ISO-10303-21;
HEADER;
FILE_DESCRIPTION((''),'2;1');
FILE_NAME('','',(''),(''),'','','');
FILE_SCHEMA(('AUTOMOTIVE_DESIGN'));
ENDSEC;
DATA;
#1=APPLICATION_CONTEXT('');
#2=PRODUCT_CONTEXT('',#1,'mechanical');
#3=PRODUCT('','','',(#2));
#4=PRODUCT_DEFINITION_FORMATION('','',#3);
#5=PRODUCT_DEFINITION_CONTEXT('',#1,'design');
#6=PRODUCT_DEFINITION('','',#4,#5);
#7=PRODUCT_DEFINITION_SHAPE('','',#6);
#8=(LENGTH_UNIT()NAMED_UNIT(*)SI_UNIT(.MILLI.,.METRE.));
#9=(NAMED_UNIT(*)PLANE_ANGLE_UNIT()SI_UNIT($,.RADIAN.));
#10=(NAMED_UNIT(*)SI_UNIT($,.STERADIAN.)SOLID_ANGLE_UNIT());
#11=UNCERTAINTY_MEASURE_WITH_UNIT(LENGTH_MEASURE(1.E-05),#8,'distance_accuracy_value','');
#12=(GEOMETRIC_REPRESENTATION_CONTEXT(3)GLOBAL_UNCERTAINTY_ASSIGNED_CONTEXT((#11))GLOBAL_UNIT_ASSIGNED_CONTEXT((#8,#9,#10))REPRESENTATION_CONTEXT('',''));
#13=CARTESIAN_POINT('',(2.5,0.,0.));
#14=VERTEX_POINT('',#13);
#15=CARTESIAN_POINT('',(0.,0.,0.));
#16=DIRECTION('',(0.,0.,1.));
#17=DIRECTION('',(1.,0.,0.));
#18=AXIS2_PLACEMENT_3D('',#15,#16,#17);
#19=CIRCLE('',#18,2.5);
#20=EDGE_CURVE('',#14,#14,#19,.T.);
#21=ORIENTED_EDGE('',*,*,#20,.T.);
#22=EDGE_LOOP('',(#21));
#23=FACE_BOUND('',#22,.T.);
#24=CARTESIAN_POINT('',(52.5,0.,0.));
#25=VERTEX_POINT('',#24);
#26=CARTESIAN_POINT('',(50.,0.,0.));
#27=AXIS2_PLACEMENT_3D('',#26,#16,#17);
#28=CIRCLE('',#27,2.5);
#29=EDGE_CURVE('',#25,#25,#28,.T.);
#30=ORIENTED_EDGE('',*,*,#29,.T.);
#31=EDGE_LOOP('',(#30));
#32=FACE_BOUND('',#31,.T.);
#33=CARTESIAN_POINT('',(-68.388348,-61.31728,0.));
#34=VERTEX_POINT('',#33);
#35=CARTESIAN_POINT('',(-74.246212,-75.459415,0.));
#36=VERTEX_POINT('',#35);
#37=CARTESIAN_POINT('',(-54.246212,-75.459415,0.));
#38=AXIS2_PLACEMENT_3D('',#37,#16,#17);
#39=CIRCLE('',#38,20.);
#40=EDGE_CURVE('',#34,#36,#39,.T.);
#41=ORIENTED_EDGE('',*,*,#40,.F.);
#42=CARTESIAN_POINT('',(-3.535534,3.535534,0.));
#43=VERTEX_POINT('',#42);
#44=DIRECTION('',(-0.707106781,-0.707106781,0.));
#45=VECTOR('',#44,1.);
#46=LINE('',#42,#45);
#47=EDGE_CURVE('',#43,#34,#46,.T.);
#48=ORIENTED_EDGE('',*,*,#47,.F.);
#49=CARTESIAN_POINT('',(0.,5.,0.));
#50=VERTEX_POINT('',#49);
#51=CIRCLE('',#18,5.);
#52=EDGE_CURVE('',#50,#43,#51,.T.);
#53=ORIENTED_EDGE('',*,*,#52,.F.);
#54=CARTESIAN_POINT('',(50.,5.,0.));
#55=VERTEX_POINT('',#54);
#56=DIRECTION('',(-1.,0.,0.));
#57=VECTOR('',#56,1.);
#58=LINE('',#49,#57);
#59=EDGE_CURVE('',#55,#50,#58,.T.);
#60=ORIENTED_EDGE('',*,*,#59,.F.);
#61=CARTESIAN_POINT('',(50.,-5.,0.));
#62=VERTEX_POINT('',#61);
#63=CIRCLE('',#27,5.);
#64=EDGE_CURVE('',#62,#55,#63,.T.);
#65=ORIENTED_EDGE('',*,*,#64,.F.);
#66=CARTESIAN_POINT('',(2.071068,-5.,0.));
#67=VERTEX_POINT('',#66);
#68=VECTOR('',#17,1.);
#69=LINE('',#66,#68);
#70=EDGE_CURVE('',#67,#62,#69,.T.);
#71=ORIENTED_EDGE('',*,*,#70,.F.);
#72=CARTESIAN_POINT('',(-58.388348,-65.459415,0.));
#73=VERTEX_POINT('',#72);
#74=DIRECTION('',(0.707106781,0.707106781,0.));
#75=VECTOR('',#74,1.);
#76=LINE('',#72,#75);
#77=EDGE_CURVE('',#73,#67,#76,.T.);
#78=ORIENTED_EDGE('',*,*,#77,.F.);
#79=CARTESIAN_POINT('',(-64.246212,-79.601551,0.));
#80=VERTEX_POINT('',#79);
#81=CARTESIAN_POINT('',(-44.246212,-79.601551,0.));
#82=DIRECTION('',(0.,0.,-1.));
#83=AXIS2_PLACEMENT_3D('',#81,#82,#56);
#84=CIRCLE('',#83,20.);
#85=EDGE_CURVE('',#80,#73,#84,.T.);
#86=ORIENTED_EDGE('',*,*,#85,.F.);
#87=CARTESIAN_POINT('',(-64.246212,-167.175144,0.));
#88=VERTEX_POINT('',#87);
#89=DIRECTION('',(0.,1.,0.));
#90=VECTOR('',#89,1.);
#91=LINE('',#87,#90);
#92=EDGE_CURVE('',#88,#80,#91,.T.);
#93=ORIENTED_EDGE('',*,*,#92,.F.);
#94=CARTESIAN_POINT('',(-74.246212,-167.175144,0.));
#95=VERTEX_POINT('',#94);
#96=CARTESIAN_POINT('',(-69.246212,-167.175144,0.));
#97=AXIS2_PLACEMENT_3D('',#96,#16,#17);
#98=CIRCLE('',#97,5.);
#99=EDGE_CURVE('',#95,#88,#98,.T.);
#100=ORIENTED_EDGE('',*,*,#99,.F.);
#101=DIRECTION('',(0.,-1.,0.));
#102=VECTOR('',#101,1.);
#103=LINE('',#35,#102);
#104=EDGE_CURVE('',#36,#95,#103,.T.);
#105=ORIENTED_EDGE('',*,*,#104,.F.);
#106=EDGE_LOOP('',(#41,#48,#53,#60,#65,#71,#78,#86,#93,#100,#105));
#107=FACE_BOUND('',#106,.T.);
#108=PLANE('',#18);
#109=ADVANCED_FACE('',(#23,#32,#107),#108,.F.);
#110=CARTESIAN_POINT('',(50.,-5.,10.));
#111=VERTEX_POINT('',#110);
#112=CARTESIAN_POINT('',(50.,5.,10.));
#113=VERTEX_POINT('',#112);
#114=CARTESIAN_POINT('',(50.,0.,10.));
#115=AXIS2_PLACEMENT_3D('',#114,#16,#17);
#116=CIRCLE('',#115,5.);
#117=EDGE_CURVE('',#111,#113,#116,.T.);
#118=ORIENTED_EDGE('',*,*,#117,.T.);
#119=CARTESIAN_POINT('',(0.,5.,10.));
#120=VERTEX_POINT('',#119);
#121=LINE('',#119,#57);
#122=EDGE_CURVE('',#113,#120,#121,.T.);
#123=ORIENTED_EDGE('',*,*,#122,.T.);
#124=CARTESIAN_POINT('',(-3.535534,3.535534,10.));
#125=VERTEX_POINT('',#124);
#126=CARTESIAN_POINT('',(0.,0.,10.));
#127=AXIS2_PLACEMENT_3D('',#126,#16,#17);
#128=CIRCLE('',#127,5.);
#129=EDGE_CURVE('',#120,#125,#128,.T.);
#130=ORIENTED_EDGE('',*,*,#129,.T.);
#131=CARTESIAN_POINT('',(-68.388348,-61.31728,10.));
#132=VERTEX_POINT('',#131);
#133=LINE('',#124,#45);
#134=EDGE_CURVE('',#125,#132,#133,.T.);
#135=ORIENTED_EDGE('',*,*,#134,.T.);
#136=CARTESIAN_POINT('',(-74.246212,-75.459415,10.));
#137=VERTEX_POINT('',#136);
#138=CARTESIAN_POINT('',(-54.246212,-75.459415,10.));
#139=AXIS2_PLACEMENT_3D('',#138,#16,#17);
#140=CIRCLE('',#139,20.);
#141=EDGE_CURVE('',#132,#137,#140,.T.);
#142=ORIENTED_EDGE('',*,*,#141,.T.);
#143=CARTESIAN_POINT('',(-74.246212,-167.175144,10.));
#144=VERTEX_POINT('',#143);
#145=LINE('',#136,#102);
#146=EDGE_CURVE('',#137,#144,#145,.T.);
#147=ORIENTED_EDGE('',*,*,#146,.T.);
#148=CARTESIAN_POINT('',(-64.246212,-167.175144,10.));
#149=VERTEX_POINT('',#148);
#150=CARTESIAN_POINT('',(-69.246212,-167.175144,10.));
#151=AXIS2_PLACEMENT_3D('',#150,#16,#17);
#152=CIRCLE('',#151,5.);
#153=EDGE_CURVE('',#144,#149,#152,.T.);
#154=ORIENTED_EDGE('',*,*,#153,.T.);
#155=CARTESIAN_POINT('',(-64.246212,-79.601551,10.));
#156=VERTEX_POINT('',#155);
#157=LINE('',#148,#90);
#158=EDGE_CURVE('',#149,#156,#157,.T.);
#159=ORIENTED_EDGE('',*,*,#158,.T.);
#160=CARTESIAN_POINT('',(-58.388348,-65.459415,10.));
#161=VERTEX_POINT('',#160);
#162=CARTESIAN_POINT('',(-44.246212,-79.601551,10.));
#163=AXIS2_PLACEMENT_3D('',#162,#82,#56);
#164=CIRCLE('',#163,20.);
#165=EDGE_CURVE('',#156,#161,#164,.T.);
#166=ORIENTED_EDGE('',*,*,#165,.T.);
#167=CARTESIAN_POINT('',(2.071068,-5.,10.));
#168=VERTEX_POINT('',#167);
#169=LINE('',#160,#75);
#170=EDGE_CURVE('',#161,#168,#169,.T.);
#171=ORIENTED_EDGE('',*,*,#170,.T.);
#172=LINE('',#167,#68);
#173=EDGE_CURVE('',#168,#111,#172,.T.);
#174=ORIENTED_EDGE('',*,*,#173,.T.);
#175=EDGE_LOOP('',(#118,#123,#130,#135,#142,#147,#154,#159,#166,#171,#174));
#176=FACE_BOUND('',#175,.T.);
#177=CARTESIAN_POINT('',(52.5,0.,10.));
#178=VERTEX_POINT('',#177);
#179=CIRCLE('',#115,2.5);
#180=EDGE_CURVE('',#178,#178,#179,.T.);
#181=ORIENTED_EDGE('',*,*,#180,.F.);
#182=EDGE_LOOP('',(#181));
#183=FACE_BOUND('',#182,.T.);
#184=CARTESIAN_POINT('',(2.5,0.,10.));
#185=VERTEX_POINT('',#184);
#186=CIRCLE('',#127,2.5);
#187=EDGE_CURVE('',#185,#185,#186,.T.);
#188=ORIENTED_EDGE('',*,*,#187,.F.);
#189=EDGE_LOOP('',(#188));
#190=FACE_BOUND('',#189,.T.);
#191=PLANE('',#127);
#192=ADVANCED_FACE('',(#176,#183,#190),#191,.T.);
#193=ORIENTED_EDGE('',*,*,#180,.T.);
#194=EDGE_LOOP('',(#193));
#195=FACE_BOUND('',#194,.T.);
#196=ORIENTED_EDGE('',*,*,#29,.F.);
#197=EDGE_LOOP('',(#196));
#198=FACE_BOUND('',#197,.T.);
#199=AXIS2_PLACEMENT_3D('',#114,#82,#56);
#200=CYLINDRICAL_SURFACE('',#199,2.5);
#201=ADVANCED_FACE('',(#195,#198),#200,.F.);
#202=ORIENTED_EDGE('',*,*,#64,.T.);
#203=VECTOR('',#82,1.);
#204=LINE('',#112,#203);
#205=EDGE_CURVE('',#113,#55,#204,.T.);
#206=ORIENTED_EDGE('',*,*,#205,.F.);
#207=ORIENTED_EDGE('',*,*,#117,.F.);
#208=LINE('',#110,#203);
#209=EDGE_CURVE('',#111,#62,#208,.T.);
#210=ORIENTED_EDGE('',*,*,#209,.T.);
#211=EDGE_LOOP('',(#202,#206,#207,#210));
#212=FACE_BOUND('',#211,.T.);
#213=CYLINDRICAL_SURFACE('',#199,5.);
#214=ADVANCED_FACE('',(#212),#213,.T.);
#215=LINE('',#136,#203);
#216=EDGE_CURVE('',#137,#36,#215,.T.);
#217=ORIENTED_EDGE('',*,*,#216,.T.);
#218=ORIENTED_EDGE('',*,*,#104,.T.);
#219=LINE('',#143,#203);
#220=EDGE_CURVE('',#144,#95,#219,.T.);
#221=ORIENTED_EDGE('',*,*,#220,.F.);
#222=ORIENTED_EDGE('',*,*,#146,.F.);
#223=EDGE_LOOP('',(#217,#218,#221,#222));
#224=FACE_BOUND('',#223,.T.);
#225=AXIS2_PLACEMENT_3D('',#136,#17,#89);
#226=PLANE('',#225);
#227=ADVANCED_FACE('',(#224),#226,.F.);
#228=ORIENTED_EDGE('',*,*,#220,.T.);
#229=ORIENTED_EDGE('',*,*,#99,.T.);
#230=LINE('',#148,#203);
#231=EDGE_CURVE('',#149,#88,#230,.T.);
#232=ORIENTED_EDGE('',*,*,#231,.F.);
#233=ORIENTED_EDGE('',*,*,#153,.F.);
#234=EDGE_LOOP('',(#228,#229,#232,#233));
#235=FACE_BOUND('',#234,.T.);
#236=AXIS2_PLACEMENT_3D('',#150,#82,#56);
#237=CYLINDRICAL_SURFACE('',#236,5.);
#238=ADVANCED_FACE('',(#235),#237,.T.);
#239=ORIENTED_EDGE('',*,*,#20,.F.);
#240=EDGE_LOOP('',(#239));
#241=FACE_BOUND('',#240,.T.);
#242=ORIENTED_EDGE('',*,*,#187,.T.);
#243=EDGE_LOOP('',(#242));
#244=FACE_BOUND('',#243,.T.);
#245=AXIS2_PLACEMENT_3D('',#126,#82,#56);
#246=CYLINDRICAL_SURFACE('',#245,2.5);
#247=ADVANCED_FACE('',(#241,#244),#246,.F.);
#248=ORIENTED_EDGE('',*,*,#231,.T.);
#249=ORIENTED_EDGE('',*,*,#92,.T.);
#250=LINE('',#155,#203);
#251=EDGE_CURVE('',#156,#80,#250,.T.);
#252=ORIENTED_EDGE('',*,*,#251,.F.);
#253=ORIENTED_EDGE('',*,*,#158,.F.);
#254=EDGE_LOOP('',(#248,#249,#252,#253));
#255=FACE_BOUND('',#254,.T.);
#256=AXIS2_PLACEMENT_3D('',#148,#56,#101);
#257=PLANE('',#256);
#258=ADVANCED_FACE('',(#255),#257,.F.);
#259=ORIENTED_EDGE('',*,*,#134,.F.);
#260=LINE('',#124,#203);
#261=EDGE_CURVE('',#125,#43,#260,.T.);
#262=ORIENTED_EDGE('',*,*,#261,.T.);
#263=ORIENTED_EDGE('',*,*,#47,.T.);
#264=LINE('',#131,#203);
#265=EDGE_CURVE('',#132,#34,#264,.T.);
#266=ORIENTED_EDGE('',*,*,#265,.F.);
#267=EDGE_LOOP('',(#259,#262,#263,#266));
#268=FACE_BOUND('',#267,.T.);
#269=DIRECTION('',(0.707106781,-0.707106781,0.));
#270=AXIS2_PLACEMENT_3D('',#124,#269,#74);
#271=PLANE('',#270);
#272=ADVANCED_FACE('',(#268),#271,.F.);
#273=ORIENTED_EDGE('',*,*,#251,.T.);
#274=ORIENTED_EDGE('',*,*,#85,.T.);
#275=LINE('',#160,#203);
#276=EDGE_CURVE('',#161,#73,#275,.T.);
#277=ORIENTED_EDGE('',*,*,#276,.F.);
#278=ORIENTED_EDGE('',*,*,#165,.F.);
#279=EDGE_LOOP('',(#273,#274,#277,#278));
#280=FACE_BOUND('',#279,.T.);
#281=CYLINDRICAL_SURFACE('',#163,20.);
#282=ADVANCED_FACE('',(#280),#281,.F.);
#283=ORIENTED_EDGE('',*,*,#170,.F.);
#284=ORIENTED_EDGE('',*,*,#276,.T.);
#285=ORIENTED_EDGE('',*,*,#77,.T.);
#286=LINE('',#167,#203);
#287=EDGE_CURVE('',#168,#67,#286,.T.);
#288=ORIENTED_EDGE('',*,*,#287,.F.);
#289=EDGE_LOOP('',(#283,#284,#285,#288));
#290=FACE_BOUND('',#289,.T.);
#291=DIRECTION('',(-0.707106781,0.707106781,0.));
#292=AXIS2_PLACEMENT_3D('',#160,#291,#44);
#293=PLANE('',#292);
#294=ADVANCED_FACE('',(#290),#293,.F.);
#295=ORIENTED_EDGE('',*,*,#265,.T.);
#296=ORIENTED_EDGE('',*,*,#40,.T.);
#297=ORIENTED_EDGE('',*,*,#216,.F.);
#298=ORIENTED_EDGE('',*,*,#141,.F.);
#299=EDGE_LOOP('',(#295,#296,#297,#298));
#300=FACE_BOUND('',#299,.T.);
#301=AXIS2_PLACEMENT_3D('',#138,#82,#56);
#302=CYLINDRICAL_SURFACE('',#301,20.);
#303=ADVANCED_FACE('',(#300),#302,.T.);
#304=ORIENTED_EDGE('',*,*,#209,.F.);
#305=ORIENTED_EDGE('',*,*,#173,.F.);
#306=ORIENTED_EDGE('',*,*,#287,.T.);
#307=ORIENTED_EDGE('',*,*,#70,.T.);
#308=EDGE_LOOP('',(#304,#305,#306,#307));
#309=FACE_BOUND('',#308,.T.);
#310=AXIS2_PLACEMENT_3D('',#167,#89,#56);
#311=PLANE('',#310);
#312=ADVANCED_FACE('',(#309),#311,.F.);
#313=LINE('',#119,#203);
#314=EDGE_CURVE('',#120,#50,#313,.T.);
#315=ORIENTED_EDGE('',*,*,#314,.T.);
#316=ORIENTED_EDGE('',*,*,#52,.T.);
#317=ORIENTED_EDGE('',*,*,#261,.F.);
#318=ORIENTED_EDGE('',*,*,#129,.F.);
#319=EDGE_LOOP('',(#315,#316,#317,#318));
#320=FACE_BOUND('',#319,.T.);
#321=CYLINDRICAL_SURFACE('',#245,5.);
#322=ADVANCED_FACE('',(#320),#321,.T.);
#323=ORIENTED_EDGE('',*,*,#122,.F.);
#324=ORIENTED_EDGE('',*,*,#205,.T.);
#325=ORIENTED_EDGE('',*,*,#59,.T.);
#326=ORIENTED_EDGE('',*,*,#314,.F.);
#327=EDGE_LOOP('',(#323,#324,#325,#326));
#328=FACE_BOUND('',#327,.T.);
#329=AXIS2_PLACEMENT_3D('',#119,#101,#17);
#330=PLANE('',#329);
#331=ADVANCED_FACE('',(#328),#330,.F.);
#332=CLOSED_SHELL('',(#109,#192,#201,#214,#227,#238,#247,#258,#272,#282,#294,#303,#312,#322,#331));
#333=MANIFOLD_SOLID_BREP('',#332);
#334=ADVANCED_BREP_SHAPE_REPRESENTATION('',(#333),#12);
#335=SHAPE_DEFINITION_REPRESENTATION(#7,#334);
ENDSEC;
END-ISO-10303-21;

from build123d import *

# Parameters (mm, degrees)
SKETCH3_R           = 2.5
BOSS_EXTRUDE1_DEPTH = 10


with BuildPart() as part:
    # Sketch3 → Boss-Extrude1 (new body)
    with BuildSketch(Plane.XY):
        with BuildLine():
            Line((0, 5), (50, 5))
            ThreePointArc((50, 5), (55, 0), (50, -5))
            Line((50, -5), (2.071067812, -5))
            Line((2.071067812, -5), (-58.388347648, -65.45941546))
            ThreePointArc((-58.388347648, -65.45941546), (-62.723802675, -71.947882437), (-64.246212025, -79.601551084))
            Line((-64.246212025, -79.601551084), (-64.246212025, -167.175144213))
            ThreePointArc((-64.246212025, -167.175144213), (-69.246212025, -172.175144213), (-74.246212025, -167.175144213))
            Line((-74.246212025, -167.175144213), (-74.246212025, -75.45941546))
            ThreePointArc((-74.246212025, -75.45941546), (-72.723802675, -67.805746813), (-68.388347648, -61.317279836))
            Line((-68.388347648, -61.317279836), (-3.535533906, 3.535533906))
            ThreePointArc((-3.535533906, 3.535533906), (-1.913417162, 4.619397663), (0, 5))
        make_face()
        Circle(SKETCH3_R, mode=Mode.SUBTRACT)
        with Locations((50, 0)):
            Circle(SKETCH3_R, mode=Mode.SUBTRACT)
    extrude(amount=BOSS_EXTRUDE1_DEPTH)


solid = part.part
